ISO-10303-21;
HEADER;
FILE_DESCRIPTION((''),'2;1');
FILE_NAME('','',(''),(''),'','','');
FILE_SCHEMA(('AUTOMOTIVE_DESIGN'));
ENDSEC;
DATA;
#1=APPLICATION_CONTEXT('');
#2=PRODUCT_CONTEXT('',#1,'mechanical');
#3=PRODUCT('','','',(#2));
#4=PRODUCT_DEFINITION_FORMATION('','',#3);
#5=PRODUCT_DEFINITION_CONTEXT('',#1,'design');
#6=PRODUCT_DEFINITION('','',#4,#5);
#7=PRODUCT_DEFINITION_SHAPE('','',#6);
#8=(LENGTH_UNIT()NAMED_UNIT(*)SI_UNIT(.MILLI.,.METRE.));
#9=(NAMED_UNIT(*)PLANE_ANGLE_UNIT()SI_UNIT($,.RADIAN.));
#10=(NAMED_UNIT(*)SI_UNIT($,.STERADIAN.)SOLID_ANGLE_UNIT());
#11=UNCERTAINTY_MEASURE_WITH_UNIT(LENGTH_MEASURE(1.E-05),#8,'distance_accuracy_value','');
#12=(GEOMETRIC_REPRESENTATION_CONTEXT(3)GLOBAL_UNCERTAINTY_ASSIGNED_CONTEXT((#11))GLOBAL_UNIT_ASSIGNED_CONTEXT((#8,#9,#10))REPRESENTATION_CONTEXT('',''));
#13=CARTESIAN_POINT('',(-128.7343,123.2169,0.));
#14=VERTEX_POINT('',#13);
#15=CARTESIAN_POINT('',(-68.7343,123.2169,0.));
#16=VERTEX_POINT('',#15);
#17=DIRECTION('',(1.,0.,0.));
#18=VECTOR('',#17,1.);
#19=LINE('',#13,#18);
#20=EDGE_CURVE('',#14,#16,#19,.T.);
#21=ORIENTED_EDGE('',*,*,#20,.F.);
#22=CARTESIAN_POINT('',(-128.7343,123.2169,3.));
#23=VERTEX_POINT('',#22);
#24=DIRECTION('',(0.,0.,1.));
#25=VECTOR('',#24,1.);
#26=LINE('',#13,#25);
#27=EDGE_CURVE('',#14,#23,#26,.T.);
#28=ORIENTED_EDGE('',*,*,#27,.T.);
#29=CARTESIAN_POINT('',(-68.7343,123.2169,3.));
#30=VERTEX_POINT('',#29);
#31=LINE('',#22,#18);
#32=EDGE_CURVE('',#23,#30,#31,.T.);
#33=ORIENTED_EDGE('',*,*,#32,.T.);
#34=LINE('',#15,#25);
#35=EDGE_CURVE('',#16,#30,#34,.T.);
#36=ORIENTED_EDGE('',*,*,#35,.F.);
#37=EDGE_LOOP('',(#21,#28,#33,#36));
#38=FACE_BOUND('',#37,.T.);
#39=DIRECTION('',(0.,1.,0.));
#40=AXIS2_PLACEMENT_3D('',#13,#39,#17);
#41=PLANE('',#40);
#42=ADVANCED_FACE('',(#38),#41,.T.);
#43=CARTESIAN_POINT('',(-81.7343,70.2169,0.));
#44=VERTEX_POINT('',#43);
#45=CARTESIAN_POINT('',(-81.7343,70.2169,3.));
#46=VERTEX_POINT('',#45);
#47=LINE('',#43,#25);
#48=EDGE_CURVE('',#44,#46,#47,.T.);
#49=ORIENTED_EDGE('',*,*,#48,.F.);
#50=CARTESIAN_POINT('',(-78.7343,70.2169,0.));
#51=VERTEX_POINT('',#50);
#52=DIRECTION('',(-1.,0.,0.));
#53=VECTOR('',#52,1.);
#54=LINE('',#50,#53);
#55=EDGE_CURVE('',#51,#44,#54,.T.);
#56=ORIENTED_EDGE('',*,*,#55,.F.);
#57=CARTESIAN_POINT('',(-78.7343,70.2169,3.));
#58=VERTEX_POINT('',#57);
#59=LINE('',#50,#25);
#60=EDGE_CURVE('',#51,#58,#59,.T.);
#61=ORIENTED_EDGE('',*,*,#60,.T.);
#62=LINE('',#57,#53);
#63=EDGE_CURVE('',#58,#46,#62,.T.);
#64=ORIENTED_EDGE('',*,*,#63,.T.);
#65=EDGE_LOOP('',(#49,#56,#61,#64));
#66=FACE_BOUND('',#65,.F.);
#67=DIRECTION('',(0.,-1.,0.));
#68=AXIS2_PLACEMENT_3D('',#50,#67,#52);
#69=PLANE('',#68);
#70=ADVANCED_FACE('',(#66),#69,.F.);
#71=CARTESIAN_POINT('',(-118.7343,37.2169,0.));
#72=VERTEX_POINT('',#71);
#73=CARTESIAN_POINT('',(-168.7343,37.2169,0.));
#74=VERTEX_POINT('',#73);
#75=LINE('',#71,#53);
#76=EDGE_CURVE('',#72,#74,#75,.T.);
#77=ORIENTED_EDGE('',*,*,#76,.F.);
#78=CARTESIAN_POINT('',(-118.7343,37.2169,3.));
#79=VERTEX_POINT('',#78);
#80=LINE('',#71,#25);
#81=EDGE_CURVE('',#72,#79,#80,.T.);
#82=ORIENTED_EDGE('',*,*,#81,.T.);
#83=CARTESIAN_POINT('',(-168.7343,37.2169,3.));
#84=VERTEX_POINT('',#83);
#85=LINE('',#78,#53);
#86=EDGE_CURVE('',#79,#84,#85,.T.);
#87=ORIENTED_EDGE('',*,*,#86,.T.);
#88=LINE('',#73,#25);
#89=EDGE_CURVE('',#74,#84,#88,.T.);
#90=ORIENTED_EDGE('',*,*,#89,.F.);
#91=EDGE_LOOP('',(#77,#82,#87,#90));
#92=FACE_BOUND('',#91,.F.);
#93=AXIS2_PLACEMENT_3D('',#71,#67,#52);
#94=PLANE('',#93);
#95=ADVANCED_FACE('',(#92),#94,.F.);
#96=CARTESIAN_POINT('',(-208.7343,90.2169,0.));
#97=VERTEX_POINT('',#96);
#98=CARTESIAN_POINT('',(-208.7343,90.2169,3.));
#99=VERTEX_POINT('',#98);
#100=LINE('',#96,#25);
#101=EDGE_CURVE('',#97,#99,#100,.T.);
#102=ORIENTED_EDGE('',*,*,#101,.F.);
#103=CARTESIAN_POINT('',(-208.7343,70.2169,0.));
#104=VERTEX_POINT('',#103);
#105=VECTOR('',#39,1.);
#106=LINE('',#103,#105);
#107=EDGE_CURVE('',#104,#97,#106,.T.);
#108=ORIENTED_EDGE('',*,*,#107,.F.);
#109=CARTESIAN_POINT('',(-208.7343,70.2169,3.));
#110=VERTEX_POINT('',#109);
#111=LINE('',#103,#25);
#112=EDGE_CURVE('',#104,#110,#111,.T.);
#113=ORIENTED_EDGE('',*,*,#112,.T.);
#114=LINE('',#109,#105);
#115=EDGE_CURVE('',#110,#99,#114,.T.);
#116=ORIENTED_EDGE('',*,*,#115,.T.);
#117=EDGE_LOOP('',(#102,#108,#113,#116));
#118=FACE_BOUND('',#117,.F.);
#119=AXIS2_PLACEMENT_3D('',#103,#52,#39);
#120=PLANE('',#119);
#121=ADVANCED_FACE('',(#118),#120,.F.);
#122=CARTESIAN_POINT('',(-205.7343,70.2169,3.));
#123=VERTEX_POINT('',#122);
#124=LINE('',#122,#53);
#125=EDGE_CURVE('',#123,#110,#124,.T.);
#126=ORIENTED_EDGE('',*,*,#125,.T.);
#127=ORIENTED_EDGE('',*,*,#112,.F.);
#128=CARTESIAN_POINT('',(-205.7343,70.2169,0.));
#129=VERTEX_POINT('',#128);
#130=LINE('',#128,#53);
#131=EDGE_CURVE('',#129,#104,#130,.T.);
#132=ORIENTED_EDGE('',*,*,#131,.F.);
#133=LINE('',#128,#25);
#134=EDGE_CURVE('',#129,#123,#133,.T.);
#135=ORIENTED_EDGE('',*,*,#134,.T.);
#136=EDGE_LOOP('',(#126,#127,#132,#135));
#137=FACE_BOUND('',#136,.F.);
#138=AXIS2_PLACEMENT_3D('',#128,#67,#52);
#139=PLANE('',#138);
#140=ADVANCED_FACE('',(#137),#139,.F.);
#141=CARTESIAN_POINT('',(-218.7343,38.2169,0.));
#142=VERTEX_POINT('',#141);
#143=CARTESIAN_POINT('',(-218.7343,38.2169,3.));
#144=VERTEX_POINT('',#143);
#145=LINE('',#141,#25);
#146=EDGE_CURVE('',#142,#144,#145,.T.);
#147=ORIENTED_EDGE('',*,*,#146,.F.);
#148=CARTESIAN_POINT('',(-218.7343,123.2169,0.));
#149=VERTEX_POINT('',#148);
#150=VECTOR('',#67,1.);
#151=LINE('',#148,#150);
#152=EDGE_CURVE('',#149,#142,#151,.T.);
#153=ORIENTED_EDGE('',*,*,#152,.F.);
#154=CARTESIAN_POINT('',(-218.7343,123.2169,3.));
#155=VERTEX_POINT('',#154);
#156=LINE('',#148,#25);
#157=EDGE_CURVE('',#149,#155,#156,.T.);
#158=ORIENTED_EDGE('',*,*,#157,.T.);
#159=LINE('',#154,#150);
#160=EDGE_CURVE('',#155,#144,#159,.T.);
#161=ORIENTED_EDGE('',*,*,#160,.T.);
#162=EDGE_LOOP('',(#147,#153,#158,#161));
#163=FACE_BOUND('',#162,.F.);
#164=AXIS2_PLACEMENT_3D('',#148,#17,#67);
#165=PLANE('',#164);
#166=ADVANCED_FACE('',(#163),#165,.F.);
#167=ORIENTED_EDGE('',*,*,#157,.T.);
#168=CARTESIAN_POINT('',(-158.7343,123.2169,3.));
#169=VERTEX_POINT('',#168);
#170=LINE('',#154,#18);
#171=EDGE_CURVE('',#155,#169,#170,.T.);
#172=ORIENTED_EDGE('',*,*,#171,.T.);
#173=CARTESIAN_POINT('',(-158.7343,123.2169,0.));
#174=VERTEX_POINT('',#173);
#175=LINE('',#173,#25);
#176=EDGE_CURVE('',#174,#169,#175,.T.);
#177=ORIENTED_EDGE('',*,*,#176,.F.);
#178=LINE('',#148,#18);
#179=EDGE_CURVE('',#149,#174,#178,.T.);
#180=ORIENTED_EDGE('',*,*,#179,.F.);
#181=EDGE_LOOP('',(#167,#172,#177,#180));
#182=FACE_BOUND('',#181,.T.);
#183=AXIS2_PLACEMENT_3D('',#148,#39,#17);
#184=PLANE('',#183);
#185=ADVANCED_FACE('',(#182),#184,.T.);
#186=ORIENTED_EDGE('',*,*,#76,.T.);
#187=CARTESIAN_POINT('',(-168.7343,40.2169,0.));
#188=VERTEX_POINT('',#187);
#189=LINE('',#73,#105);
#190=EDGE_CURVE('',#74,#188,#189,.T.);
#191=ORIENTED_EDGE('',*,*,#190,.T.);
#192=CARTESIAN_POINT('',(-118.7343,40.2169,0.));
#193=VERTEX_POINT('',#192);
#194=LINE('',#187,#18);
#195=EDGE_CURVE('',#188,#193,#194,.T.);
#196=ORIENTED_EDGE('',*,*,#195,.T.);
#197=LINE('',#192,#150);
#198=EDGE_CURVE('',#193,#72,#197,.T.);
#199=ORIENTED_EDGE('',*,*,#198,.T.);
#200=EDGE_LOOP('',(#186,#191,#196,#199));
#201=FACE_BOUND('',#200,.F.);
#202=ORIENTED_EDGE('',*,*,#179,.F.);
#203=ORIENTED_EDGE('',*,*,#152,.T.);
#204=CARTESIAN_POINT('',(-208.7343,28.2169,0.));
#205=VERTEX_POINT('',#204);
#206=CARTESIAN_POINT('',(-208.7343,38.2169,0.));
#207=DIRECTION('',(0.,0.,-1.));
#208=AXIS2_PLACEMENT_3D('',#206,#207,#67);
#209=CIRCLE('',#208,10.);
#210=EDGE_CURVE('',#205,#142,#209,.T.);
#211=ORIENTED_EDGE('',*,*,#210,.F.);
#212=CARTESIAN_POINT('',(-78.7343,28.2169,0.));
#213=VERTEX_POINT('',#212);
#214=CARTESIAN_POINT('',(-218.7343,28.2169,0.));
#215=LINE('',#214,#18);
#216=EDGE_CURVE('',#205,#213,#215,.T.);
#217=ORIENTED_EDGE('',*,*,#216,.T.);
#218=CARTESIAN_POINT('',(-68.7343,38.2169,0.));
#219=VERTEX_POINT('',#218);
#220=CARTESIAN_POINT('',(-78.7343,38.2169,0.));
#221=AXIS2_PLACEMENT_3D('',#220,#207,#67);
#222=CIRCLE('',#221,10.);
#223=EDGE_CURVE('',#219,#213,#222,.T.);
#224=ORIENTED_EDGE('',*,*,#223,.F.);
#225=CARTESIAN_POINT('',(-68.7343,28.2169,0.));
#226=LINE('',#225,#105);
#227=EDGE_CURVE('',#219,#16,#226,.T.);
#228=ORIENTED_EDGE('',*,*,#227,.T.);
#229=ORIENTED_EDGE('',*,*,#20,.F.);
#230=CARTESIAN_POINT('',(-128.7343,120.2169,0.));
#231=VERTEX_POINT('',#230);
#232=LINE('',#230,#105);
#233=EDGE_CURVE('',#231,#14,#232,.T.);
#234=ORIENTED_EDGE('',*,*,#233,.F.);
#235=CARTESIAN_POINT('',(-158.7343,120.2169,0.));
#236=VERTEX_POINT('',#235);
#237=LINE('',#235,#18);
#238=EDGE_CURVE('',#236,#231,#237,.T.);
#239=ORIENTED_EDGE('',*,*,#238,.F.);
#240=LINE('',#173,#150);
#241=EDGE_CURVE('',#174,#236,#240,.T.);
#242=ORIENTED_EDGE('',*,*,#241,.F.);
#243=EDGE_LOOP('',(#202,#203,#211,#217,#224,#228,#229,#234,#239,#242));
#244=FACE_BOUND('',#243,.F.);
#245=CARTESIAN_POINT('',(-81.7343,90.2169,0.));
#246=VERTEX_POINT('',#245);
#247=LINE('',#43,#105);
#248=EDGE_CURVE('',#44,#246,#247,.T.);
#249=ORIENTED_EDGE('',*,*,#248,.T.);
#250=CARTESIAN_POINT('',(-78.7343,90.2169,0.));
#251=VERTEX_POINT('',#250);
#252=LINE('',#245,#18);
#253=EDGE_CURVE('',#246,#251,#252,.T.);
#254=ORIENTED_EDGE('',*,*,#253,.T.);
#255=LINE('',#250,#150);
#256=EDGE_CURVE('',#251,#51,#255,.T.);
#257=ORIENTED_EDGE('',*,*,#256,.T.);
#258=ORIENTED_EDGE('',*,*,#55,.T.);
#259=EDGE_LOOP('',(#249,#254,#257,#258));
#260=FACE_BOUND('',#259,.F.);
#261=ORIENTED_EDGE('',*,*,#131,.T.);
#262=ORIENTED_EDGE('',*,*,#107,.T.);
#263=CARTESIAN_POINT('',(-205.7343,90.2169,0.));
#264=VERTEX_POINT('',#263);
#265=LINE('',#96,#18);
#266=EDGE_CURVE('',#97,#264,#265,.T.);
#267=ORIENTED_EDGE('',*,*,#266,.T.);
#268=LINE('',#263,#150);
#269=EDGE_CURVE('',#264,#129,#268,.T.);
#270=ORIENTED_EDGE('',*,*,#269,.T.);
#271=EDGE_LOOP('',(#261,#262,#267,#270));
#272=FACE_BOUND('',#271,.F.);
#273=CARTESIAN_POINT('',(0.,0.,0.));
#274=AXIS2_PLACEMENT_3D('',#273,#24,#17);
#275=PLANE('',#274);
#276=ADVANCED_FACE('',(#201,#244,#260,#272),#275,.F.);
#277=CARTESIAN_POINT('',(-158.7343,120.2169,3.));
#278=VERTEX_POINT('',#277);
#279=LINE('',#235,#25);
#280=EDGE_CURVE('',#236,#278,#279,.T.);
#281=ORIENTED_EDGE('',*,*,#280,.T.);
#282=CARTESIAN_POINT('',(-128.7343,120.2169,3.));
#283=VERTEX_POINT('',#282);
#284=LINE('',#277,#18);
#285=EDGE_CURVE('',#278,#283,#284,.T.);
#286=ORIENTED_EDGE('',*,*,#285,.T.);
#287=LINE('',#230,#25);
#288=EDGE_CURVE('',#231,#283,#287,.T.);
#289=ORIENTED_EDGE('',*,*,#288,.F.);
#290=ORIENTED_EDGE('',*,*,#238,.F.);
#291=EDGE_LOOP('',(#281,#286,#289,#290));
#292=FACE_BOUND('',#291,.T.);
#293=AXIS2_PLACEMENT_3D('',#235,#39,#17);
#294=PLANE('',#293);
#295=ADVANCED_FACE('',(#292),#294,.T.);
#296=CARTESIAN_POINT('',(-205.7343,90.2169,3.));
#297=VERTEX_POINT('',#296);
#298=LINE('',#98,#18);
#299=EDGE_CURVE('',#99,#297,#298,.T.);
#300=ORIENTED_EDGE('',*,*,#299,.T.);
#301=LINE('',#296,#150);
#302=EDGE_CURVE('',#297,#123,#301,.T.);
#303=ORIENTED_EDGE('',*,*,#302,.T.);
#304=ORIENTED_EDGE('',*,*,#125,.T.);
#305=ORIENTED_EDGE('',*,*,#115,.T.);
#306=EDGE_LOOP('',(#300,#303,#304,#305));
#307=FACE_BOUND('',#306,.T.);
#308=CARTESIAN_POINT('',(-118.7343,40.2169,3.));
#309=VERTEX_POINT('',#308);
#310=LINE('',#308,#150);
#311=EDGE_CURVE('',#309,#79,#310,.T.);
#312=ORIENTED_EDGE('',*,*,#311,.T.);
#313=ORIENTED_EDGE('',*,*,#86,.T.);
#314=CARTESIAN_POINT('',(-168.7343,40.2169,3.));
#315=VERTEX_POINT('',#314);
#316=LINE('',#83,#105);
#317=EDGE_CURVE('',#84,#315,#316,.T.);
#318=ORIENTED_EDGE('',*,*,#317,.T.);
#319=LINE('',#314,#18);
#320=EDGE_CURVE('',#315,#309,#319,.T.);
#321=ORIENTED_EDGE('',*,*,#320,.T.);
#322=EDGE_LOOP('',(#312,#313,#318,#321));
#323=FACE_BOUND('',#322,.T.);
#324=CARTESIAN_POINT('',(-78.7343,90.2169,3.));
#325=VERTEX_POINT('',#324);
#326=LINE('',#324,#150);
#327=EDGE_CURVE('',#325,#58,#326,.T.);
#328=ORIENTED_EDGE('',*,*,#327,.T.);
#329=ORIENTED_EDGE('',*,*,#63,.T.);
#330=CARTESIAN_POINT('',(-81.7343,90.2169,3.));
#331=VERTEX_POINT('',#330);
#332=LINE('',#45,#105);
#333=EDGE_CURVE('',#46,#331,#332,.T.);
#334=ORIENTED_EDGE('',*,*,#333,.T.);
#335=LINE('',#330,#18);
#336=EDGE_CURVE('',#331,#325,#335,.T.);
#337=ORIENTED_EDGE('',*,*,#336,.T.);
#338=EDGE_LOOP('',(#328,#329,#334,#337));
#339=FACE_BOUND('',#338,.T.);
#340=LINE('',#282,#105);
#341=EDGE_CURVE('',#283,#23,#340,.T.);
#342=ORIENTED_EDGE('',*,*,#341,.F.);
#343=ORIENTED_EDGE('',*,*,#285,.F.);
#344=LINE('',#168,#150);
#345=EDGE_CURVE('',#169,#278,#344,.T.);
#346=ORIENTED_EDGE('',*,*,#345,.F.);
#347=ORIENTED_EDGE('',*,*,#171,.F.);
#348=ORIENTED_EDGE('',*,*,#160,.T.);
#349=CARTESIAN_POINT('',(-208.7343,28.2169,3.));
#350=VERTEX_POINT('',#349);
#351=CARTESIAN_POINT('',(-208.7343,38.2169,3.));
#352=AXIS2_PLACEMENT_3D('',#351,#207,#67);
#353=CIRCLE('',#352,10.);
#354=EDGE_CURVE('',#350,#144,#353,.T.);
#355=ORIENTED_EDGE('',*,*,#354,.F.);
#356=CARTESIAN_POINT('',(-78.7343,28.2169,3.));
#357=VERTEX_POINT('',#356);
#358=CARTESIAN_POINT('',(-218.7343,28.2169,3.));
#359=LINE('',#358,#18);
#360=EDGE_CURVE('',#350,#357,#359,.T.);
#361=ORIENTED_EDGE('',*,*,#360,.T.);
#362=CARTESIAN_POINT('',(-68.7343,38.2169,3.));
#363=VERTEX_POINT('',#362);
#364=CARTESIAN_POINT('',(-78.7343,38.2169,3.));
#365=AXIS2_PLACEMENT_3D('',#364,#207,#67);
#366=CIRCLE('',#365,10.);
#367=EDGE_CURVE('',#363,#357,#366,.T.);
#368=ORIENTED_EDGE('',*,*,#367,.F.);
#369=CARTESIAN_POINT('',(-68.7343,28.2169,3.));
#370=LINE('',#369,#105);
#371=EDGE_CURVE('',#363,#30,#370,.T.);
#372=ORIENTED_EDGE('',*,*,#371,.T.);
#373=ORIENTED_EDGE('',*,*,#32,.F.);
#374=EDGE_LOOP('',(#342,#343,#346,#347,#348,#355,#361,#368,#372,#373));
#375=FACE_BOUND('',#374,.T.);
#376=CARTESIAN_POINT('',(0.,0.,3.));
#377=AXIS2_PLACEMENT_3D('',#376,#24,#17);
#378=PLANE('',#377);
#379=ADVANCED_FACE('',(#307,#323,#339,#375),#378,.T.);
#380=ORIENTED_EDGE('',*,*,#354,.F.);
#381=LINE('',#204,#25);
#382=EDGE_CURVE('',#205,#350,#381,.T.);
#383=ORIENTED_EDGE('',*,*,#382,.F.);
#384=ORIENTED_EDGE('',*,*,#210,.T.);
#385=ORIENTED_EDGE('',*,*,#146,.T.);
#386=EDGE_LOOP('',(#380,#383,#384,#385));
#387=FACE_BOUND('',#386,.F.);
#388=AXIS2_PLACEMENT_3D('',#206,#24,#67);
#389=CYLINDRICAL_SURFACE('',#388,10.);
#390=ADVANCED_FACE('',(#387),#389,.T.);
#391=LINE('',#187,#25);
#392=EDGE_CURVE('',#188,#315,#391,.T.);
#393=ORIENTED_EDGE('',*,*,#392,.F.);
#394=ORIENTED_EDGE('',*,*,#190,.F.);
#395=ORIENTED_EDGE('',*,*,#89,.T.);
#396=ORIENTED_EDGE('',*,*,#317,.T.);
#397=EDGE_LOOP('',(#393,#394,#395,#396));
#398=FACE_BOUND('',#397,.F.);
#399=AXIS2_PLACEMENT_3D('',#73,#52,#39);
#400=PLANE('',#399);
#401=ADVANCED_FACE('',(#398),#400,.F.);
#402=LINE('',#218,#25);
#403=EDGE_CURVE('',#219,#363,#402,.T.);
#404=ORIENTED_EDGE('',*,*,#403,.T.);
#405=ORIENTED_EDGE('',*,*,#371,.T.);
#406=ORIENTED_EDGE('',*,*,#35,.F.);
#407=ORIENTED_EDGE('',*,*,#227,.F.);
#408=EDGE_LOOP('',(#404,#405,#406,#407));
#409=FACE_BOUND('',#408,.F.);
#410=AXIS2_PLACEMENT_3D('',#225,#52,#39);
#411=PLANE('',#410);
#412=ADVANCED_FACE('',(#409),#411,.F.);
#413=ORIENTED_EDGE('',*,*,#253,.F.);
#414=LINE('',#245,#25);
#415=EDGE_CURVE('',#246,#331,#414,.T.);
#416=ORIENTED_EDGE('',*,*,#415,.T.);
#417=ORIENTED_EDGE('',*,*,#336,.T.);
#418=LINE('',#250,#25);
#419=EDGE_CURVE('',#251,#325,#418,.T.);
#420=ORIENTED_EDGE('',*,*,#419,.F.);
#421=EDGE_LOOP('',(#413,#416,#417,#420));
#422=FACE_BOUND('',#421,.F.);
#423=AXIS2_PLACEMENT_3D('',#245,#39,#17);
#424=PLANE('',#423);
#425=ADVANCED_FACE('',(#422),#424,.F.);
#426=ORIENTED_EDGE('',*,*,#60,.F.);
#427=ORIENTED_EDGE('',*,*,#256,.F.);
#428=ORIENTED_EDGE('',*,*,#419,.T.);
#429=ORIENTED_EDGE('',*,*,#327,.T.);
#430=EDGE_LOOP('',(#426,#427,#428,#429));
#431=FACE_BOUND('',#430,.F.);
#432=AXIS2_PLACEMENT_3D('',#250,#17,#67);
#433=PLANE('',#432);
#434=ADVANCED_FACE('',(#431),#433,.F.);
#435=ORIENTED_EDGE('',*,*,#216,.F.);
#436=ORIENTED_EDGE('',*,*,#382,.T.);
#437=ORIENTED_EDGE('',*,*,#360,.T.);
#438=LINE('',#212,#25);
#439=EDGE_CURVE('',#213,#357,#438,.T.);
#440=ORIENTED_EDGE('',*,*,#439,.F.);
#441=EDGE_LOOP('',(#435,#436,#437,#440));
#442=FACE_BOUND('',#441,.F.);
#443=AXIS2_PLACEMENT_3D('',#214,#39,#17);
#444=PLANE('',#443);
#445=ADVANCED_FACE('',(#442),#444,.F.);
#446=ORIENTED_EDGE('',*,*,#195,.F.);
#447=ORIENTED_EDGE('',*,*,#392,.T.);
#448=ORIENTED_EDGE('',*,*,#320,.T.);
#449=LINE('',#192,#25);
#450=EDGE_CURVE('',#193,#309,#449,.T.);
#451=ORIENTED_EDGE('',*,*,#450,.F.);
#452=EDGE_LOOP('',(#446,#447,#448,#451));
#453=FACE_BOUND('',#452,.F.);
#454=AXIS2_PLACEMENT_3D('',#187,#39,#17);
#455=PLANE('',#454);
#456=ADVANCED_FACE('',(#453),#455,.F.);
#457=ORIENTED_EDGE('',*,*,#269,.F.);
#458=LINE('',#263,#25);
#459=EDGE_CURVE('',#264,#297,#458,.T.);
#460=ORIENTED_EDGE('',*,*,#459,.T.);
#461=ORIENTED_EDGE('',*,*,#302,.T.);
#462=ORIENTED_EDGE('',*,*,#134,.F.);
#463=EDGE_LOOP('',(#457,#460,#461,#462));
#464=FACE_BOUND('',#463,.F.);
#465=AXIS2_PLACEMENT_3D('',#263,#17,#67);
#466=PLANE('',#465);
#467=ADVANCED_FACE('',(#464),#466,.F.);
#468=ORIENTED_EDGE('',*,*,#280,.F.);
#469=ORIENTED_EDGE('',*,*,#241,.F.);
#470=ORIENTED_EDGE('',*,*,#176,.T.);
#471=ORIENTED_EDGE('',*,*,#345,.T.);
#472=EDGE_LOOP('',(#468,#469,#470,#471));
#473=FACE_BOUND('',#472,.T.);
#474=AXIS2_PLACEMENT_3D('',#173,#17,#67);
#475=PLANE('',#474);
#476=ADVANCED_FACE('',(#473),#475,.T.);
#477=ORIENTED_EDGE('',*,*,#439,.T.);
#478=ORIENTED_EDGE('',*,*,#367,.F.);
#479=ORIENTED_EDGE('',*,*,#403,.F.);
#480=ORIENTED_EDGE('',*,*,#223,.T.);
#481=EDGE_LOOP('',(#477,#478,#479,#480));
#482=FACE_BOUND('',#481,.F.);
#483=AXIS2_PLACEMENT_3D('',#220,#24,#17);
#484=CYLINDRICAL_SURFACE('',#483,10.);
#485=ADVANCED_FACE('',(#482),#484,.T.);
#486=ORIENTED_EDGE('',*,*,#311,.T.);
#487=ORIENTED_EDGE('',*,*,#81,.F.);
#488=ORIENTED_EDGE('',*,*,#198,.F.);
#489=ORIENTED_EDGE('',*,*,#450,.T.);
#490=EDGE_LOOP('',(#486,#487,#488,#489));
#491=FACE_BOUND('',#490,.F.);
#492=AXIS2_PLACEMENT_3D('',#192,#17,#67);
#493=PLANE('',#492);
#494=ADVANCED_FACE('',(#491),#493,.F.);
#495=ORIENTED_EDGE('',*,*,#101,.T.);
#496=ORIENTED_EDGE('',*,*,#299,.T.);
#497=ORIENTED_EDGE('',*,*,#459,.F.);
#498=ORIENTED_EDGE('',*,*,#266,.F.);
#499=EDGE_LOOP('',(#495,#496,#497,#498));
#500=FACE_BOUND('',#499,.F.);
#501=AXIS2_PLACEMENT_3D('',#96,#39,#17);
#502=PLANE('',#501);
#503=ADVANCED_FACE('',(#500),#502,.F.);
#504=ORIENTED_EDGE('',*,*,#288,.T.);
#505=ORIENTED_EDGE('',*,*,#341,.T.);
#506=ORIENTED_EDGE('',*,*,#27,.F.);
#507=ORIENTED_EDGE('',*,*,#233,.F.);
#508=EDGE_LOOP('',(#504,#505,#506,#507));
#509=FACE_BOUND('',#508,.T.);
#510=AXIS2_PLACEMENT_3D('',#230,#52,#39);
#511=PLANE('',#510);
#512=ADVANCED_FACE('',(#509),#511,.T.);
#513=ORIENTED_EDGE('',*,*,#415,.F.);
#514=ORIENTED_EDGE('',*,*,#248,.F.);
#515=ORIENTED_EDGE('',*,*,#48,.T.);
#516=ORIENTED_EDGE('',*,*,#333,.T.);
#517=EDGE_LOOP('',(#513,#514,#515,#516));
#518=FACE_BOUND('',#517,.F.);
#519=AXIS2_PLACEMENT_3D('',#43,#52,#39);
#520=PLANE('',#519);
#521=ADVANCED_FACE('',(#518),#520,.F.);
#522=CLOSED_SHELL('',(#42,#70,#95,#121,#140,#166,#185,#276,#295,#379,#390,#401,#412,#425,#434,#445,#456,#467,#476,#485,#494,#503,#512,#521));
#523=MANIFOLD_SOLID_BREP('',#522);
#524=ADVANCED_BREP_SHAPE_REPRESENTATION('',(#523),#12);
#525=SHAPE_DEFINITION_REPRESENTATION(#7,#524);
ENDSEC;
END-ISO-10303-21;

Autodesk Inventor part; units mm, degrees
ref_plane "YZ Plane" through (0, 0, 0) normal (1, 0, 0) x (0, 1, 0)
ref_plane "XZ Plane" through (0, 0, 0) normal (0, 1, 0) x (-1, 0, 0)
ref_plane "XY Plane" through (0, 0, 0) normal (0, 0, 1) x (1, 0, 0)
sketch "Sketch1" plane through (0, 0, 0) normal (0, 0, 1) x (1, 0, 0)
  line L0 (-218.7343, 123.2169) -> (-218.7343, 28.2169)
  line L1 (-218.7343, 28.2169) -> (-68.7343, 28.2169)
  line L2 (-68.7343, 28.2169) -> (-68.7343, 123.2169)
  line L3 (-158.7343, 123.2169) -> (-158.7343, 120.2169)
  line L4 (-158.7343, 120.2169) -> (-128.7343, 120.2169)
  line L5 (-128.7343, 120.2169) -> (-128.7343, 123.2169)
  line L6 (-208.7343, 90.2169) -> (-205.7343, 90.2169)
  line L7 (-205.7343, 90.2169) -> (-205.7343, 70.2169)
  line L8 (-205.7343, 70.2169) -> (-208.7343, 70.2169)
  line L9 (-208.7343, 70.2169) -> (-208.7343, 90.2169)
  line L10 (-81.7343, 90.2169) -> (-78.7343, 90.2169)
  line L11 (-78.7343, 90.2169) -> (-78.7343, 70.2169)
  line L12 (-78.7343, 70.2169) -> (-81.7343, 70.2169)
  line L13 (-81.7343, 70.2169) -> (-81.7343, 90.2169)
  line L14 (-168.7343, 40.2169) -> (-118.7343, 40.2169)
  line L15 (-118.7343, 40.2169) -> (-118.7343, 37.2169)
  line L16 (-118.7343, 37.2169) -> (-168.7343, 37.2169)
  line L17 (-168.7343, 37.2169) -> (-168.7343, 40.2169)
  line L18 (-143.7343, 123.2169) -> (-143.7343, 28.2169) construction
  line L19 (-218.7343, 123.2169) -> (-158.7343, 123.2169)
  line L20 (-128.7343, 123.2169) -> (-68.7343, 123.2169)
  line L21 (-136.5327, 40.2169) -> (-136.5327, 120.2169) construction
  line L22 (-136.5327, 80.2169) -> (-68.7343, 80.2169) construction
  point P0 (0, 0)
  dimension "d0" = 150
  dimension "d1" = 95
  dimension "d3" = 3
  dimension "d4" = 3
  dimension "d5" = 3
  dimension "d6" = 20
  dimension "d7" = 10
  dimension "d8" = 10
  dimension "d9" = 30
  dimension "d10" = 3
  dimension "d11" = 9
  dimension "d12" = 50
extrude "Extrusion1" add sketch "Sketch1" along normal blind 3
fillet "Fillet1" radius 10 2 edges at (-68.7343, 28.2169, 1.5) (-218.7343, 28.2169, 1.5)
properties part number "Cover"
